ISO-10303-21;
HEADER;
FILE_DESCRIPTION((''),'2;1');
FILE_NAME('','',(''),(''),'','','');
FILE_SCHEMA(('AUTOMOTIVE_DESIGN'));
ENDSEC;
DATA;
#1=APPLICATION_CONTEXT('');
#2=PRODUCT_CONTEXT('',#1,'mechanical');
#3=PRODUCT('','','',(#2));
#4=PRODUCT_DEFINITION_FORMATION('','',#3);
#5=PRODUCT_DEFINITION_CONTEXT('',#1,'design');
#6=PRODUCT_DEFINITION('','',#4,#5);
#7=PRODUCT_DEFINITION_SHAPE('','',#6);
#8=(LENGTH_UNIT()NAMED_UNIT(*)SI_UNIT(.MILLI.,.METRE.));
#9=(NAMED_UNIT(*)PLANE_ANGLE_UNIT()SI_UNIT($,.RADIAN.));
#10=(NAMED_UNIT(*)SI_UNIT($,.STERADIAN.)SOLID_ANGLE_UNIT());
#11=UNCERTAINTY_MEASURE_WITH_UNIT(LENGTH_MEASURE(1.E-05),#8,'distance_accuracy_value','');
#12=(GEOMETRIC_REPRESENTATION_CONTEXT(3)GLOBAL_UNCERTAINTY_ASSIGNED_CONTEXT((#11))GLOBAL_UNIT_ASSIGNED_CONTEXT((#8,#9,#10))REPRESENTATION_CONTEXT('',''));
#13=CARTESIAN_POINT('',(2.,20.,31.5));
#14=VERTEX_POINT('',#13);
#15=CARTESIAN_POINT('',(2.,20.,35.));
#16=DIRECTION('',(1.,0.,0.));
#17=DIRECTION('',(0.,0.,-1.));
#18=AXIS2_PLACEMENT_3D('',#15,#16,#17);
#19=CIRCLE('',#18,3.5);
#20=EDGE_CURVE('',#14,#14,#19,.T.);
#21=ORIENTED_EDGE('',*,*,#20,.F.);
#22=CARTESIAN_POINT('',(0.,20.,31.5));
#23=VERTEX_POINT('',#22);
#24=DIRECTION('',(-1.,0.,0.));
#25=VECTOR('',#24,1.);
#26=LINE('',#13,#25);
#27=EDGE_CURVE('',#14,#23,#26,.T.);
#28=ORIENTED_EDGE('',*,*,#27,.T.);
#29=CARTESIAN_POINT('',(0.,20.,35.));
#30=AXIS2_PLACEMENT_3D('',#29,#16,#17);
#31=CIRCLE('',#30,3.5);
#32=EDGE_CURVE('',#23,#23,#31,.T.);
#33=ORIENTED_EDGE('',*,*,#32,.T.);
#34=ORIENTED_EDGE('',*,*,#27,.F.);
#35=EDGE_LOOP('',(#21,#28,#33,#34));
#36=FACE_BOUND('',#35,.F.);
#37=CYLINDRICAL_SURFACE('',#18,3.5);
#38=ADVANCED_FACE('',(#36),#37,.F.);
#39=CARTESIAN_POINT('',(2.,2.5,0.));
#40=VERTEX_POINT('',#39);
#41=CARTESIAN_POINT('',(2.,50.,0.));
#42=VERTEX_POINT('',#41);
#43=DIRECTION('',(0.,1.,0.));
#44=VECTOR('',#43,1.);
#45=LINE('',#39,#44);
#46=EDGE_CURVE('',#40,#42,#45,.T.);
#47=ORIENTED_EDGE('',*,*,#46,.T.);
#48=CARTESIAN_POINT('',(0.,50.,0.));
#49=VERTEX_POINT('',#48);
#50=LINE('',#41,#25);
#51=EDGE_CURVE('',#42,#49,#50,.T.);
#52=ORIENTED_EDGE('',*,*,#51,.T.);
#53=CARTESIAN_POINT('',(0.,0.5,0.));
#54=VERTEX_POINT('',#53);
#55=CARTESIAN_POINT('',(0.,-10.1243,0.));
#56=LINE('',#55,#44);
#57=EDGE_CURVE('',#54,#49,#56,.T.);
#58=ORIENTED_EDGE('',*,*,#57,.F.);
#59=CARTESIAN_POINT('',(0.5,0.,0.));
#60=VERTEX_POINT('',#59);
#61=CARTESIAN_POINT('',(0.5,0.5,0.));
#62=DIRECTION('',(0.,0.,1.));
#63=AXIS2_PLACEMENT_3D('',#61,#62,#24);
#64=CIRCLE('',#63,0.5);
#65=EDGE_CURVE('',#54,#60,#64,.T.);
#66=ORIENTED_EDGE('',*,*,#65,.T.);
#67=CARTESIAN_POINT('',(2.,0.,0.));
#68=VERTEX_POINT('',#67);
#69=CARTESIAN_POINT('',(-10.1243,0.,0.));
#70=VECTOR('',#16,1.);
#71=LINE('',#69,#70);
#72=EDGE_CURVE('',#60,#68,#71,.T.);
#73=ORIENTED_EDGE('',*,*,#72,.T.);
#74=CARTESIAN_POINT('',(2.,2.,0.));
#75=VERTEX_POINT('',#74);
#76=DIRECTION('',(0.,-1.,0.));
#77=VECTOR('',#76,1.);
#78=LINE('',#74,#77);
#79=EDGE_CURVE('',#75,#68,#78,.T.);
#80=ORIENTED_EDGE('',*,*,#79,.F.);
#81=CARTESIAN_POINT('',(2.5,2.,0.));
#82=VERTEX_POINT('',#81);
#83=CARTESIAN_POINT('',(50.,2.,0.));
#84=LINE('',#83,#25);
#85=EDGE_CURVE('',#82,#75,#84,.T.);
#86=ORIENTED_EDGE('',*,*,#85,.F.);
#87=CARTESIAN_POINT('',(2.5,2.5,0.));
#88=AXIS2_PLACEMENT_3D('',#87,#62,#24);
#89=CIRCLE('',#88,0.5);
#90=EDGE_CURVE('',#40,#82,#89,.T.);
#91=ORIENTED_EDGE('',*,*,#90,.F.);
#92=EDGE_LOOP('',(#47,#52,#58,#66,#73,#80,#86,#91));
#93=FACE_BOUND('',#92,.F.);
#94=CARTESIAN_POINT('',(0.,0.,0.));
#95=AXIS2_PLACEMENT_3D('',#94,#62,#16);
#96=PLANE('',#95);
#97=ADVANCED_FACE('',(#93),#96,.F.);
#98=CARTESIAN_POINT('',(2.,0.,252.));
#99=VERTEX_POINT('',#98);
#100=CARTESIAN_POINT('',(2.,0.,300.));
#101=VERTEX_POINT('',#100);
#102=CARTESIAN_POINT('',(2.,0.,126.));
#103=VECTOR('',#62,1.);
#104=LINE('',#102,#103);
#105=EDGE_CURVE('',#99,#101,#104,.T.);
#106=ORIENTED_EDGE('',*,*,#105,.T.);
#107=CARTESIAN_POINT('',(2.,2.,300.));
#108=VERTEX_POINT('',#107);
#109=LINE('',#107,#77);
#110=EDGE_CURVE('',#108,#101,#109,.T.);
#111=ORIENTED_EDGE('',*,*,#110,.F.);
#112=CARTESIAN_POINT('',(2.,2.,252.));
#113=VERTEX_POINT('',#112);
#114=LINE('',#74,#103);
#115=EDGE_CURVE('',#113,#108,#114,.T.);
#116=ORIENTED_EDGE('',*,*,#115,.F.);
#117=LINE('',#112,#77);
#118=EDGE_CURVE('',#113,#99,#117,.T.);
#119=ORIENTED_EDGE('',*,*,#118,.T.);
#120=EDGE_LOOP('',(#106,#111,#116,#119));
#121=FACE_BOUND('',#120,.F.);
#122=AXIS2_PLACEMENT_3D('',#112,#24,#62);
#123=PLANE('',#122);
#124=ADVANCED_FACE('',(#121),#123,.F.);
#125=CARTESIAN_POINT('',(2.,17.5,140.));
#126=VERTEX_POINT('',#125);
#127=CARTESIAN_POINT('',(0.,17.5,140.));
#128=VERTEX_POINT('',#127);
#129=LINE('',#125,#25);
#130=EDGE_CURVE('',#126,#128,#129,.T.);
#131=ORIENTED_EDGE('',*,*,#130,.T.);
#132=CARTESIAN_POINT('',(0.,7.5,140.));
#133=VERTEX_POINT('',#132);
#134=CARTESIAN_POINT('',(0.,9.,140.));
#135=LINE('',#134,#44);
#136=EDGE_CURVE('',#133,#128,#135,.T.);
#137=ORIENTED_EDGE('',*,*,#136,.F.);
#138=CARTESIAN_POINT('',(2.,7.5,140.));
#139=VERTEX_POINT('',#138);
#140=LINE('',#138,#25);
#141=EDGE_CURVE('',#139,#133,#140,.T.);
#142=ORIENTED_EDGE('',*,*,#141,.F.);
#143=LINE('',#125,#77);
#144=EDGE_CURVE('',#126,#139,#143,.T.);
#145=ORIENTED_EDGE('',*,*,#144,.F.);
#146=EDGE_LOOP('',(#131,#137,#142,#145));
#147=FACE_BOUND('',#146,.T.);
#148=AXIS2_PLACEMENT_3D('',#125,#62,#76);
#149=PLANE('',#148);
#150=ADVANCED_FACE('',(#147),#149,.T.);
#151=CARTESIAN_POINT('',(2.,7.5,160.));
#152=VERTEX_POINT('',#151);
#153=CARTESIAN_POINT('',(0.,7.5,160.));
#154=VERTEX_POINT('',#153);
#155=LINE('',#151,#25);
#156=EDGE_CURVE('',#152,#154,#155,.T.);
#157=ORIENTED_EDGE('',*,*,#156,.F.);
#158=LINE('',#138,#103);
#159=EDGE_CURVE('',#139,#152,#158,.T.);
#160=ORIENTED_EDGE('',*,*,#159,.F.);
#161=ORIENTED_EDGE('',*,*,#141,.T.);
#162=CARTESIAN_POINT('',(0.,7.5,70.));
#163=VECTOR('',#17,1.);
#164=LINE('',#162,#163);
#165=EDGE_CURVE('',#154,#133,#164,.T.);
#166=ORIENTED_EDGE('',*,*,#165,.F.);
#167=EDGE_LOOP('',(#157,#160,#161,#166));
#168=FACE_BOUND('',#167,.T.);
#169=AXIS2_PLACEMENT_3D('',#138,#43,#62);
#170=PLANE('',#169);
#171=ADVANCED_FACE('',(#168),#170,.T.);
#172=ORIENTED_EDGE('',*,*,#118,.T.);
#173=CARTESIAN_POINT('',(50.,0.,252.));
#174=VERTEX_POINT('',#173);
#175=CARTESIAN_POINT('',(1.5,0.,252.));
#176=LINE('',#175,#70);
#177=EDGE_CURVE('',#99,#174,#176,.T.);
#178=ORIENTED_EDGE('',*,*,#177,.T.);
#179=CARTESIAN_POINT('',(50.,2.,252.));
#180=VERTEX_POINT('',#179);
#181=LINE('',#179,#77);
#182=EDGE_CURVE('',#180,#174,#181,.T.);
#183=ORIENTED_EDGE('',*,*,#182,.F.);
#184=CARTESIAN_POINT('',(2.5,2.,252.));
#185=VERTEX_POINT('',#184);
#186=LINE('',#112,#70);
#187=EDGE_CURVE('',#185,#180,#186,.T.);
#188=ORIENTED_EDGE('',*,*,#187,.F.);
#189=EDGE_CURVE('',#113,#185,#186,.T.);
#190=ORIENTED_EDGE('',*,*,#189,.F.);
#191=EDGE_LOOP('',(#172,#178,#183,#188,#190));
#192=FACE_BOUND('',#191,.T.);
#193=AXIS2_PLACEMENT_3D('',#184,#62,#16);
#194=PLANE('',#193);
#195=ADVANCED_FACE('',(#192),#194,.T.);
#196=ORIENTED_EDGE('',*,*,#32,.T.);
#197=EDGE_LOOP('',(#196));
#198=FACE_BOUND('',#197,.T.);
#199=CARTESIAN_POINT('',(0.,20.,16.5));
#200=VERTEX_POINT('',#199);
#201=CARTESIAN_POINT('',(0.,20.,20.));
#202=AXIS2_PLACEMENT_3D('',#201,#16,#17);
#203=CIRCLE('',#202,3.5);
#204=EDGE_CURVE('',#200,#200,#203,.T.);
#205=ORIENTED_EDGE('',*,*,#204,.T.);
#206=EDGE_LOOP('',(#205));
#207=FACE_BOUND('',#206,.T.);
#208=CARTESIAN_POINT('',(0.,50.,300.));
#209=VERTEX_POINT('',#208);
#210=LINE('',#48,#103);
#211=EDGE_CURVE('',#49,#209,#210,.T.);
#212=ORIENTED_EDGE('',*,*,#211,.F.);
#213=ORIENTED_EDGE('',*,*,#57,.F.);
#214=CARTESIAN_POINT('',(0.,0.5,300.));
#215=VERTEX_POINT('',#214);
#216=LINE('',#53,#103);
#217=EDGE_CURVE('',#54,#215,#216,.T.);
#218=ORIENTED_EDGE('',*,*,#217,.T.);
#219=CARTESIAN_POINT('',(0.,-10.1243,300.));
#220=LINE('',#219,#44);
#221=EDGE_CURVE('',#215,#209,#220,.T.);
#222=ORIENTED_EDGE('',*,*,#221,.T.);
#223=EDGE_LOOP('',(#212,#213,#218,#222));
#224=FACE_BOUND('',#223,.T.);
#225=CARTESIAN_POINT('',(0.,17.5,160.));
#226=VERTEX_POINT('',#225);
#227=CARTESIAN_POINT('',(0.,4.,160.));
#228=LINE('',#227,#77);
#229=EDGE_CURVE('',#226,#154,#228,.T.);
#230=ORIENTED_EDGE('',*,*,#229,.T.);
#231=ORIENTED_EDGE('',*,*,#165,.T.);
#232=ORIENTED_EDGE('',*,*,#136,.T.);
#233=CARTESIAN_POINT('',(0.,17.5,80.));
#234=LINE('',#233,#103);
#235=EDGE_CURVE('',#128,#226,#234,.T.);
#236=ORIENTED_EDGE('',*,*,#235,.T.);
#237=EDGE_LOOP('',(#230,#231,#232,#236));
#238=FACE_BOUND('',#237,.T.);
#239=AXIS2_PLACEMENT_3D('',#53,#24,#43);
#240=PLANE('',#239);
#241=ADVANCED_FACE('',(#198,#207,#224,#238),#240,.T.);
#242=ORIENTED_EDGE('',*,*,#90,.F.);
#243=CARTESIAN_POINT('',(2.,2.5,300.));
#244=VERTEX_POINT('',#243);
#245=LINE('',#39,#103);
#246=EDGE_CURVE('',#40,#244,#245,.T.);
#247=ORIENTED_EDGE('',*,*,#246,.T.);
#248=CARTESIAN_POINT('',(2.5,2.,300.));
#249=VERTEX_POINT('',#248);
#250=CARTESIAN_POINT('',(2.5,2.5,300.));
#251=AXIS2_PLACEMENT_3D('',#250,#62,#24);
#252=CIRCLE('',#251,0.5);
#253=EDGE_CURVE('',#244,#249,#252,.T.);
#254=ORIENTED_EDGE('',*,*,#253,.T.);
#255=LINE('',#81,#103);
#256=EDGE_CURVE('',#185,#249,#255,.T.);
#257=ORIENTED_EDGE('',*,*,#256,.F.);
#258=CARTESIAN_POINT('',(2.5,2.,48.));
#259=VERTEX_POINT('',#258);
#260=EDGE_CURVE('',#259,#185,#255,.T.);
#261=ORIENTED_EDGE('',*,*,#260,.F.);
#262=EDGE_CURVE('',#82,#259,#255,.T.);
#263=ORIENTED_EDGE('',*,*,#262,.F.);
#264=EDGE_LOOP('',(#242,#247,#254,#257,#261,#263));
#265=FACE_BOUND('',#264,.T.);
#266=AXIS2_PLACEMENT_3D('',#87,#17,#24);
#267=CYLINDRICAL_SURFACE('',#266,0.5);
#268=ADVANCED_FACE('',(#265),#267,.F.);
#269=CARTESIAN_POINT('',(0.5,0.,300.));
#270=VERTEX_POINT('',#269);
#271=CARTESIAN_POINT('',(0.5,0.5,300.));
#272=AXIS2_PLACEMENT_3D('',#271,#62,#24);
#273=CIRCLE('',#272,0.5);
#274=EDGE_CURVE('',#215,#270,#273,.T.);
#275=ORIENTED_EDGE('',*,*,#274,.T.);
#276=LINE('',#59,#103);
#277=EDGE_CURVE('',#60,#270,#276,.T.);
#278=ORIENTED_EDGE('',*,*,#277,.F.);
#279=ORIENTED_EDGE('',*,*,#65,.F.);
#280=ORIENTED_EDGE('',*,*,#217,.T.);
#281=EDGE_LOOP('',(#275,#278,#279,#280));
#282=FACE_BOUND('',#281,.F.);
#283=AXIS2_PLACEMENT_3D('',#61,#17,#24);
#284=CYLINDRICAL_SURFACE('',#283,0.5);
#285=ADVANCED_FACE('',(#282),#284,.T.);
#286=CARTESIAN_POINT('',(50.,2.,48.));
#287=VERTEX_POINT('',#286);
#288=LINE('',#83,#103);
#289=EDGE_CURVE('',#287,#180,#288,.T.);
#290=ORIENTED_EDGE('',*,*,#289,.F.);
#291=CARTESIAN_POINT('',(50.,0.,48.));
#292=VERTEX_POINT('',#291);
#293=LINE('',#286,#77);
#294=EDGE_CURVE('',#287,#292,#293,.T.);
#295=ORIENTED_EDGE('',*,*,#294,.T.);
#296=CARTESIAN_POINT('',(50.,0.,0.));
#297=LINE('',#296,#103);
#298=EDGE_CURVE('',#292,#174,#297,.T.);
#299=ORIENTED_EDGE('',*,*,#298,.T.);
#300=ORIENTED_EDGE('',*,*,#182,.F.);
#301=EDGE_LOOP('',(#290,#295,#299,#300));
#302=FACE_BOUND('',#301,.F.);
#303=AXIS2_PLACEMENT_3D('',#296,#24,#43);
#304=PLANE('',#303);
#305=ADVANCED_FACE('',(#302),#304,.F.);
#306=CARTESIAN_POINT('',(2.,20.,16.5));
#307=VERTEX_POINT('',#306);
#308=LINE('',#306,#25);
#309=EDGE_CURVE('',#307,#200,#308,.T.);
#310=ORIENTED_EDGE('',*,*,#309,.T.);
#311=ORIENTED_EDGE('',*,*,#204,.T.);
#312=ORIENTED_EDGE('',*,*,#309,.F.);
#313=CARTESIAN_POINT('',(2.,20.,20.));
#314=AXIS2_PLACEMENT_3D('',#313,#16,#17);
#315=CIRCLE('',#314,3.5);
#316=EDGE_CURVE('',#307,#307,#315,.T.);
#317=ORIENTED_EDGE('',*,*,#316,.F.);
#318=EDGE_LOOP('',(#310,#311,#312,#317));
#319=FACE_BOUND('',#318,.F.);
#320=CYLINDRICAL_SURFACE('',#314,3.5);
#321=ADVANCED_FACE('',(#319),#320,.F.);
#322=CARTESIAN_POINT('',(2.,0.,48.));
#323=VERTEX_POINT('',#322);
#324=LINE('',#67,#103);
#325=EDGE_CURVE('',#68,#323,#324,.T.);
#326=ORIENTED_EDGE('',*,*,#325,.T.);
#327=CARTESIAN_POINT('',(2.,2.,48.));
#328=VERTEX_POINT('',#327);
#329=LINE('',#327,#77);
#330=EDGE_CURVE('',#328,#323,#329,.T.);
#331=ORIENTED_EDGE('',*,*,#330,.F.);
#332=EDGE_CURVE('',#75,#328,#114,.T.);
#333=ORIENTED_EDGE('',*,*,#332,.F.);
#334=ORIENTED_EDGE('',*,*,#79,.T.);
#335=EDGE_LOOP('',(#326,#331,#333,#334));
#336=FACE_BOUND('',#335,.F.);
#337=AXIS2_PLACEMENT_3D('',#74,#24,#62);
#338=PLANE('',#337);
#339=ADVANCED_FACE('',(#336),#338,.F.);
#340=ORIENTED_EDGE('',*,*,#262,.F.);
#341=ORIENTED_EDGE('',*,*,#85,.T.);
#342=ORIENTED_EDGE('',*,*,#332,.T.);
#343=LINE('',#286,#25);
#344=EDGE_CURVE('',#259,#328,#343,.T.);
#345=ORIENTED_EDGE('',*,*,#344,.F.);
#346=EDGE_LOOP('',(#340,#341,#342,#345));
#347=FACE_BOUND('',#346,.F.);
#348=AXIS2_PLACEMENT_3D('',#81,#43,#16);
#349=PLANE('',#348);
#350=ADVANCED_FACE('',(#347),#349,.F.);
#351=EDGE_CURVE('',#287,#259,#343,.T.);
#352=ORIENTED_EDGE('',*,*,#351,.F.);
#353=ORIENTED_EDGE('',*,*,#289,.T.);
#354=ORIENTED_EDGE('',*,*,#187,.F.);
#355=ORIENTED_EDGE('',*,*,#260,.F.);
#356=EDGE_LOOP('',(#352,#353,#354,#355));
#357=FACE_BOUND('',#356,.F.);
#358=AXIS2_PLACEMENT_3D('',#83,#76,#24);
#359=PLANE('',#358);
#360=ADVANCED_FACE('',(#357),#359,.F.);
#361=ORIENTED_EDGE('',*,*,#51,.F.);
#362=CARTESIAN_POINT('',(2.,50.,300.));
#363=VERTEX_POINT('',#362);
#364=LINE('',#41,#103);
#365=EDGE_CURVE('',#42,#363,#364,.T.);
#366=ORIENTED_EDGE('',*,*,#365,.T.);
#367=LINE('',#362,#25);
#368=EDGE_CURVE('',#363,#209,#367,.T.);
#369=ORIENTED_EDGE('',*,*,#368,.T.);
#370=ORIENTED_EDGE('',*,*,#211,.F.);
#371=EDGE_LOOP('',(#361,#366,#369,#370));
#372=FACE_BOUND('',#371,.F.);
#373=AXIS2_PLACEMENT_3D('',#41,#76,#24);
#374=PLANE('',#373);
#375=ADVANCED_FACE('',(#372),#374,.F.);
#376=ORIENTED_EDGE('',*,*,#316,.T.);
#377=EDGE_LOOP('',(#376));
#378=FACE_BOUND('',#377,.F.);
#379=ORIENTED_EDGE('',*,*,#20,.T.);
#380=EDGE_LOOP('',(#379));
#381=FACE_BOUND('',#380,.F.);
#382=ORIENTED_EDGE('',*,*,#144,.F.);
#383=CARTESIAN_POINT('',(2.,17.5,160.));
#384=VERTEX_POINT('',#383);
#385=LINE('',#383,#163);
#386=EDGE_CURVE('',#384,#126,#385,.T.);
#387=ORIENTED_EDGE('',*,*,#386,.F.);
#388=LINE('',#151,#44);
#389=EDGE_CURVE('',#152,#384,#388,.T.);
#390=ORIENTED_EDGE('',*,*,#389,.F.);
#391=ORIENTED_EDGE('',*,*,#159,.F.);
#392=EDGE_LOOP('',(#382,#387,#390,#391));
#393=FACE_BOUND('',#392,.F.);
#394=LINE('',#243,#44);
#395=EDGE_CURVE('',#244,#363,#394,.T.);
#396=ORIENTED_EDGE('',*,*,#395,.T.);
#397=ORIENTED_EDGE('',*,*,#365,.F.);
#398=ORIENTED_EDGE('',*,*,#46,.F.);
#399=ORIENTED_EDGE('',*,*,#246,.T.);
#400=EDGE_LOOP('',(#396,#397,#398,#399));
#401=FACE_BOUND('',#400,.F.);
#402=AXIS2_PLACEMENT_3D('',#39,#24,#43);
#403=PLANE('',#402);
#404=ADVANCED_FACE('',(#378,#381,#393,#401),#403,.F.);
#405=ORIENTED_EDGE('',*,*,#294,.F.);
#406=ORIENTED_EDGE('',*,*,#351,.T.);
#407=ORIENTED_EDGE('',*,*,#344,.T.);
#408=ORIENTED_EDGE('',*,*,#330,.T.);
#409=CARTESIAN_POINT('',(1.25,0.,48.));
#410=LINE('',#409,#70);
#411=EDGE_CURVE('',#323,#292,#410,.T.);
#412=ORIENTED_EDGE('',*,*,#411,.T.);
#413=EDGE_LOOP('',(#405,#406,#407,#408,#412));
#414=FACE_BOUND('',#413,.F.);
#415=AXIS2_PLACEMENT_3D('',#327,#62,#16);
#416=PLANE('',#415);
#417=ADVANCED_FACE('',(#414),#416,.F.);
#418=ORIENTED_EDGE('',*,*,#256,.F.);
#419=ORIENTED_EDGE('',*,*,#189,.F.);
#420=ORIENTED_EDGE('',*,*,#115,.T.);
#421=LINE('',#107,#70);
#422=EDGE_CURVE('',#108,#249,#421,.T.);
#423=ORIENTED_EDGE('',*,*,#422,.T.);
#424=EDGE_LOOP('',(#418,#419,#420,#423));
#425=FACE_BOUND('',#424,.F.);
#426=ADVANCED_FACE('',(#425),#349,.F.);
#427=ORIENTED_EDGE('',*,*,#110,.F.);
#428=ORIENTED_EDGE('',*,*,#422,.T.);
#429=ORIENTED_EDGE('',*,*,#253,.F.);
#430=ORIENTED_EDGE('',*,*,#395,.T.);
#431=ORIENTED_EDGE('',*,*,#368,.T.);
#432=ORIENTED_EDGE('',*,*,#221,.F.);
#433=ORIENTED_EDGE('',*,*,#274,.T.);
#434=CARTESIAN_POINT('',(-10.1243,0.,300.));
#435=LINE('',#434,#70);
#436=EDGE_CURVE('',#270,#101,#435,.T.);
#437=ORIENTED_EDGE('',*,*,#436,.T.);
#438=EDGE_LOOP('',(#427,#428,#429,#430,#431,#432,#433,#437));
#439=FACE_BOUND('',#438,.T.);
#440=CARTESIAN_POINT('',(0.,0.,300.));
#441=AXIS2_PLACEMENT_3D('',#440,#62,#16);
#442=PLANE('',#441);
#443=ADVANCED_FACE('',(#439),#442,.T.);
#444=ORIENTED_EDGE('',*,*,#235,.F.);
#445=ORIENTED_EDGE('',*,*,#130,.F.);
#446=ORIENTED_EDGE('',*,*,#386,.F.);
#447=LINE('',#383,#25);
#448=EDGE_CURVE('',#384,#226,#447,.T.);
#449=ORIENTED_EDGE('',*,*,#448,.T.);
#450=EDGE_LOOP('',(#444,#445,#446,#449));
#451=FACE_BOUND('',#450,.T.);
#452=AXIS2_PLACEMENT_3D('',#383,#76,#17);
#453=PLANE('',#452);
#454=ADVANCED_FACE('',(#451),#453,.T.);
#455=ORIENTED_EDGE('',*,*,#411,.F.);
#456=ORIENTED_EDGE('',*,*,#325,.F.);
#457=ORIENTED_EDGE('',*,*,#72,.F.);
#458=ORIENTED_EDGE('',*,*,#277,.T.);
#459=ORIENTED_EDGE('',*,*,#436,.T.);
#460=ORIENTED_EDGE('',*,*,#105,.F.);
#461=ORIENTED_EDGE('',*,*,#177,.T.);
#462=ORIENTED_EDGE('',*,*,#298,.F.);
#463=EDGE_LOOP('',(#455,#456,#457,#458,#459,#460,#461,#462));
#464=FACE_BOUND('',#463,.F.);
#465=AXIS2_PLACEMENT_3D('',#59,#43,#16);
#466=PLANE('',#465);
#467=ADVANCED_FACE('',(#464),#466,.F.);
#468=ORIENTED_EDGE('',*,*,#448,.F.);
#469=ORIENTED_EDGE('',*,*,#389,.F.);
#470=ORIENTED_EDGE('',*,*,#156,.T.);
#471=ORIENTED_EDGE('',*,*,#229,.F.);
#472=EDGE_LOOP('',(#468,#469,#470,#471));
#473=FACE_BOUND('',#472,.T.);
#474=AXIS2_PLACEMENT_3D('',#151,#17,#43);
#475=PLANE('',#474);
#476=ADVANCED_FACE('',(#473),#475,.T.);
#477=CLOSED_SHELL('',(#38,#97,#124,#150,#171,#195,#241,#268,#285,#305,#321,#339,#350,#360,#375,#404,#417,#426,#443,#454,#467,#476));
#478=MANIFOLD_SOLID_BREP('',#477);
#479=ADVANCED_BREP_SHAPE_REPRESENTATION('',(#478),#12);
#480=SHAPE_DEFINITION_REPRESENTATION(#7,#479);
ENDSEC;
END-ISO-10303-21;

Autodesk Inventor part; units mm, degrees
ref_plane "YZ Plane" through (0, 0, 0) normal (1, 0, 0) x (0, 1, 0)
ref_plane "XZ Plane" through (0, 0, 0) normal (0, 1, 0) x (-1, 0, 0)
ref_plane "XY Plane" through (0, 0, 0) normal (0, 0, 1) x (1, 0, 0)
sketch "Szkic1" plane through (0, 0, 0) normal (0, 0, 1) x (1, 0, 0)
  line L0 (-10.1243, 0) -> (60.0207, 0) projected
  line L1 (0, -10.1243) -> (0, 60.0207) projected
  line L2 (0, 50) -> (0, 0.5)
  line L3 (0.5, 0) -> (50, 0)
  line L4 (50, 2) -> (2.5, 2)
  line L5 (2, 2.5) -> (2, 50)
  line L6 (2, 50) -> (0, 50)
  line L7 (50, 0) -> (50, 2)
  arc A0 (2, 2.5) -> (2.5, 2) centre (2.5, 2.5) ccw
  arc A1 (0, 0.5) -> (0.5, 0) centre (0.5, 0.5) ccw
  point P0 (0, 0)
  dimension "d0" = 2
  dimension "d2" = 2
  dimension "d3" = 50
  dimension "d4" = 50
  dimension "d5" = 0.5
extrude "Wyciągnięcie proste1" add sketch "Szkic1" along normal blind 300 contours A1 L1 L6 L5 A0 L4 L7 L0
sketch "Szkic2" plane through (2.5, 2, 0) normal (0, 1, 0) x (1, 0, 0)
  line L0 (-2.5, 0) -> (-2.5, -300) projected
  line L1 (0, 0) -> (-0.5, 0) projected
  line L2 (-0.5, 0) -> (-0.5, -300) projected
  line L3 (0, -300) -> (-0.5, -300) projected
  line L4 (0, 0) -> (0, -300) projected
  line L5 (47.5, -300) -> (-0.5, -300)
  line L6 (-0.5, -300) -> (-0.5, -252)
  line L7 (-0.5, -252) -> (47.5, -252)
  line L8 (47.5, -252) -> (47.5, -300)
  line L9 (47.5, 0) -> (-0.5, 0)
  line L10 (-0.5, 0) -> (-0.5, -48)
  line L11 (-0.5, -48) -> (47.5, -48)
  line L12 (47.5, -48) -> (47.5, 0)
  dimension "d8" = 48
  dimension "d9" = 48
extrude "Wyciągnięcie proste2" cut sketch "Szkic2" against normal through all contours L4 L11 L2 L1 | L9 L12 L11 L4 | L7 L8 L5 L4 | L4 L3 L2 L7
sketch "Szkic3" plane through (2, 2.5, 0) normal (1, 0, 0) x (0, 0, -1)
  line L0 (0, 0) -> (0, 47.5) projected
  line L1 (0, 47.5) -> (-300, 47.5) projected
  circle A0 centre (-20, 17.5) radius 3.5
  point P0 (0, -2.5)
  dimension "d12" = 20
  dimension "d13" = 30
  dimension "d14" = 7
extrude "Wyciągnięcie proste3" cut sketch "Szkic3" against normal through all
pattern_linear "Szyk prostokątny1" count 2 spacing 15 along (0, 0, 1) of "Wyciągnięcie proste3"
sketch "Szkic4" plane through (2, 2.5, 0) normal (1, 0, 0) x (0, 0, -1)
  line L0 (0, 47.5) -> (-300, 47.5) projected
  line L1 (0, 0) -> (-300, 0) projected
  line L2 (-160, 15) -> (-140, 15)
  line L3 (-140, 15) -> (-140, 5)
  line L4 (-140, 5) -> (-160, 5)
  line L5 (-160, 5) -> (-160, 15)
  line L6 (-150, 47.5) -> (-150, -7.9092) construction
  line L7 (-48, -0.5) -> (-252, -0.5) projected
  point P0 (0, -2.5)
  dimension "d20" = 20
  dimension "d21" = 10
  dimension "d22" = 5
extrude "Wyciągnięcie proste4" cut sketch "Szkic4" against normal through all
properties part number "kątownik 3" material "Aluminium 6061"
